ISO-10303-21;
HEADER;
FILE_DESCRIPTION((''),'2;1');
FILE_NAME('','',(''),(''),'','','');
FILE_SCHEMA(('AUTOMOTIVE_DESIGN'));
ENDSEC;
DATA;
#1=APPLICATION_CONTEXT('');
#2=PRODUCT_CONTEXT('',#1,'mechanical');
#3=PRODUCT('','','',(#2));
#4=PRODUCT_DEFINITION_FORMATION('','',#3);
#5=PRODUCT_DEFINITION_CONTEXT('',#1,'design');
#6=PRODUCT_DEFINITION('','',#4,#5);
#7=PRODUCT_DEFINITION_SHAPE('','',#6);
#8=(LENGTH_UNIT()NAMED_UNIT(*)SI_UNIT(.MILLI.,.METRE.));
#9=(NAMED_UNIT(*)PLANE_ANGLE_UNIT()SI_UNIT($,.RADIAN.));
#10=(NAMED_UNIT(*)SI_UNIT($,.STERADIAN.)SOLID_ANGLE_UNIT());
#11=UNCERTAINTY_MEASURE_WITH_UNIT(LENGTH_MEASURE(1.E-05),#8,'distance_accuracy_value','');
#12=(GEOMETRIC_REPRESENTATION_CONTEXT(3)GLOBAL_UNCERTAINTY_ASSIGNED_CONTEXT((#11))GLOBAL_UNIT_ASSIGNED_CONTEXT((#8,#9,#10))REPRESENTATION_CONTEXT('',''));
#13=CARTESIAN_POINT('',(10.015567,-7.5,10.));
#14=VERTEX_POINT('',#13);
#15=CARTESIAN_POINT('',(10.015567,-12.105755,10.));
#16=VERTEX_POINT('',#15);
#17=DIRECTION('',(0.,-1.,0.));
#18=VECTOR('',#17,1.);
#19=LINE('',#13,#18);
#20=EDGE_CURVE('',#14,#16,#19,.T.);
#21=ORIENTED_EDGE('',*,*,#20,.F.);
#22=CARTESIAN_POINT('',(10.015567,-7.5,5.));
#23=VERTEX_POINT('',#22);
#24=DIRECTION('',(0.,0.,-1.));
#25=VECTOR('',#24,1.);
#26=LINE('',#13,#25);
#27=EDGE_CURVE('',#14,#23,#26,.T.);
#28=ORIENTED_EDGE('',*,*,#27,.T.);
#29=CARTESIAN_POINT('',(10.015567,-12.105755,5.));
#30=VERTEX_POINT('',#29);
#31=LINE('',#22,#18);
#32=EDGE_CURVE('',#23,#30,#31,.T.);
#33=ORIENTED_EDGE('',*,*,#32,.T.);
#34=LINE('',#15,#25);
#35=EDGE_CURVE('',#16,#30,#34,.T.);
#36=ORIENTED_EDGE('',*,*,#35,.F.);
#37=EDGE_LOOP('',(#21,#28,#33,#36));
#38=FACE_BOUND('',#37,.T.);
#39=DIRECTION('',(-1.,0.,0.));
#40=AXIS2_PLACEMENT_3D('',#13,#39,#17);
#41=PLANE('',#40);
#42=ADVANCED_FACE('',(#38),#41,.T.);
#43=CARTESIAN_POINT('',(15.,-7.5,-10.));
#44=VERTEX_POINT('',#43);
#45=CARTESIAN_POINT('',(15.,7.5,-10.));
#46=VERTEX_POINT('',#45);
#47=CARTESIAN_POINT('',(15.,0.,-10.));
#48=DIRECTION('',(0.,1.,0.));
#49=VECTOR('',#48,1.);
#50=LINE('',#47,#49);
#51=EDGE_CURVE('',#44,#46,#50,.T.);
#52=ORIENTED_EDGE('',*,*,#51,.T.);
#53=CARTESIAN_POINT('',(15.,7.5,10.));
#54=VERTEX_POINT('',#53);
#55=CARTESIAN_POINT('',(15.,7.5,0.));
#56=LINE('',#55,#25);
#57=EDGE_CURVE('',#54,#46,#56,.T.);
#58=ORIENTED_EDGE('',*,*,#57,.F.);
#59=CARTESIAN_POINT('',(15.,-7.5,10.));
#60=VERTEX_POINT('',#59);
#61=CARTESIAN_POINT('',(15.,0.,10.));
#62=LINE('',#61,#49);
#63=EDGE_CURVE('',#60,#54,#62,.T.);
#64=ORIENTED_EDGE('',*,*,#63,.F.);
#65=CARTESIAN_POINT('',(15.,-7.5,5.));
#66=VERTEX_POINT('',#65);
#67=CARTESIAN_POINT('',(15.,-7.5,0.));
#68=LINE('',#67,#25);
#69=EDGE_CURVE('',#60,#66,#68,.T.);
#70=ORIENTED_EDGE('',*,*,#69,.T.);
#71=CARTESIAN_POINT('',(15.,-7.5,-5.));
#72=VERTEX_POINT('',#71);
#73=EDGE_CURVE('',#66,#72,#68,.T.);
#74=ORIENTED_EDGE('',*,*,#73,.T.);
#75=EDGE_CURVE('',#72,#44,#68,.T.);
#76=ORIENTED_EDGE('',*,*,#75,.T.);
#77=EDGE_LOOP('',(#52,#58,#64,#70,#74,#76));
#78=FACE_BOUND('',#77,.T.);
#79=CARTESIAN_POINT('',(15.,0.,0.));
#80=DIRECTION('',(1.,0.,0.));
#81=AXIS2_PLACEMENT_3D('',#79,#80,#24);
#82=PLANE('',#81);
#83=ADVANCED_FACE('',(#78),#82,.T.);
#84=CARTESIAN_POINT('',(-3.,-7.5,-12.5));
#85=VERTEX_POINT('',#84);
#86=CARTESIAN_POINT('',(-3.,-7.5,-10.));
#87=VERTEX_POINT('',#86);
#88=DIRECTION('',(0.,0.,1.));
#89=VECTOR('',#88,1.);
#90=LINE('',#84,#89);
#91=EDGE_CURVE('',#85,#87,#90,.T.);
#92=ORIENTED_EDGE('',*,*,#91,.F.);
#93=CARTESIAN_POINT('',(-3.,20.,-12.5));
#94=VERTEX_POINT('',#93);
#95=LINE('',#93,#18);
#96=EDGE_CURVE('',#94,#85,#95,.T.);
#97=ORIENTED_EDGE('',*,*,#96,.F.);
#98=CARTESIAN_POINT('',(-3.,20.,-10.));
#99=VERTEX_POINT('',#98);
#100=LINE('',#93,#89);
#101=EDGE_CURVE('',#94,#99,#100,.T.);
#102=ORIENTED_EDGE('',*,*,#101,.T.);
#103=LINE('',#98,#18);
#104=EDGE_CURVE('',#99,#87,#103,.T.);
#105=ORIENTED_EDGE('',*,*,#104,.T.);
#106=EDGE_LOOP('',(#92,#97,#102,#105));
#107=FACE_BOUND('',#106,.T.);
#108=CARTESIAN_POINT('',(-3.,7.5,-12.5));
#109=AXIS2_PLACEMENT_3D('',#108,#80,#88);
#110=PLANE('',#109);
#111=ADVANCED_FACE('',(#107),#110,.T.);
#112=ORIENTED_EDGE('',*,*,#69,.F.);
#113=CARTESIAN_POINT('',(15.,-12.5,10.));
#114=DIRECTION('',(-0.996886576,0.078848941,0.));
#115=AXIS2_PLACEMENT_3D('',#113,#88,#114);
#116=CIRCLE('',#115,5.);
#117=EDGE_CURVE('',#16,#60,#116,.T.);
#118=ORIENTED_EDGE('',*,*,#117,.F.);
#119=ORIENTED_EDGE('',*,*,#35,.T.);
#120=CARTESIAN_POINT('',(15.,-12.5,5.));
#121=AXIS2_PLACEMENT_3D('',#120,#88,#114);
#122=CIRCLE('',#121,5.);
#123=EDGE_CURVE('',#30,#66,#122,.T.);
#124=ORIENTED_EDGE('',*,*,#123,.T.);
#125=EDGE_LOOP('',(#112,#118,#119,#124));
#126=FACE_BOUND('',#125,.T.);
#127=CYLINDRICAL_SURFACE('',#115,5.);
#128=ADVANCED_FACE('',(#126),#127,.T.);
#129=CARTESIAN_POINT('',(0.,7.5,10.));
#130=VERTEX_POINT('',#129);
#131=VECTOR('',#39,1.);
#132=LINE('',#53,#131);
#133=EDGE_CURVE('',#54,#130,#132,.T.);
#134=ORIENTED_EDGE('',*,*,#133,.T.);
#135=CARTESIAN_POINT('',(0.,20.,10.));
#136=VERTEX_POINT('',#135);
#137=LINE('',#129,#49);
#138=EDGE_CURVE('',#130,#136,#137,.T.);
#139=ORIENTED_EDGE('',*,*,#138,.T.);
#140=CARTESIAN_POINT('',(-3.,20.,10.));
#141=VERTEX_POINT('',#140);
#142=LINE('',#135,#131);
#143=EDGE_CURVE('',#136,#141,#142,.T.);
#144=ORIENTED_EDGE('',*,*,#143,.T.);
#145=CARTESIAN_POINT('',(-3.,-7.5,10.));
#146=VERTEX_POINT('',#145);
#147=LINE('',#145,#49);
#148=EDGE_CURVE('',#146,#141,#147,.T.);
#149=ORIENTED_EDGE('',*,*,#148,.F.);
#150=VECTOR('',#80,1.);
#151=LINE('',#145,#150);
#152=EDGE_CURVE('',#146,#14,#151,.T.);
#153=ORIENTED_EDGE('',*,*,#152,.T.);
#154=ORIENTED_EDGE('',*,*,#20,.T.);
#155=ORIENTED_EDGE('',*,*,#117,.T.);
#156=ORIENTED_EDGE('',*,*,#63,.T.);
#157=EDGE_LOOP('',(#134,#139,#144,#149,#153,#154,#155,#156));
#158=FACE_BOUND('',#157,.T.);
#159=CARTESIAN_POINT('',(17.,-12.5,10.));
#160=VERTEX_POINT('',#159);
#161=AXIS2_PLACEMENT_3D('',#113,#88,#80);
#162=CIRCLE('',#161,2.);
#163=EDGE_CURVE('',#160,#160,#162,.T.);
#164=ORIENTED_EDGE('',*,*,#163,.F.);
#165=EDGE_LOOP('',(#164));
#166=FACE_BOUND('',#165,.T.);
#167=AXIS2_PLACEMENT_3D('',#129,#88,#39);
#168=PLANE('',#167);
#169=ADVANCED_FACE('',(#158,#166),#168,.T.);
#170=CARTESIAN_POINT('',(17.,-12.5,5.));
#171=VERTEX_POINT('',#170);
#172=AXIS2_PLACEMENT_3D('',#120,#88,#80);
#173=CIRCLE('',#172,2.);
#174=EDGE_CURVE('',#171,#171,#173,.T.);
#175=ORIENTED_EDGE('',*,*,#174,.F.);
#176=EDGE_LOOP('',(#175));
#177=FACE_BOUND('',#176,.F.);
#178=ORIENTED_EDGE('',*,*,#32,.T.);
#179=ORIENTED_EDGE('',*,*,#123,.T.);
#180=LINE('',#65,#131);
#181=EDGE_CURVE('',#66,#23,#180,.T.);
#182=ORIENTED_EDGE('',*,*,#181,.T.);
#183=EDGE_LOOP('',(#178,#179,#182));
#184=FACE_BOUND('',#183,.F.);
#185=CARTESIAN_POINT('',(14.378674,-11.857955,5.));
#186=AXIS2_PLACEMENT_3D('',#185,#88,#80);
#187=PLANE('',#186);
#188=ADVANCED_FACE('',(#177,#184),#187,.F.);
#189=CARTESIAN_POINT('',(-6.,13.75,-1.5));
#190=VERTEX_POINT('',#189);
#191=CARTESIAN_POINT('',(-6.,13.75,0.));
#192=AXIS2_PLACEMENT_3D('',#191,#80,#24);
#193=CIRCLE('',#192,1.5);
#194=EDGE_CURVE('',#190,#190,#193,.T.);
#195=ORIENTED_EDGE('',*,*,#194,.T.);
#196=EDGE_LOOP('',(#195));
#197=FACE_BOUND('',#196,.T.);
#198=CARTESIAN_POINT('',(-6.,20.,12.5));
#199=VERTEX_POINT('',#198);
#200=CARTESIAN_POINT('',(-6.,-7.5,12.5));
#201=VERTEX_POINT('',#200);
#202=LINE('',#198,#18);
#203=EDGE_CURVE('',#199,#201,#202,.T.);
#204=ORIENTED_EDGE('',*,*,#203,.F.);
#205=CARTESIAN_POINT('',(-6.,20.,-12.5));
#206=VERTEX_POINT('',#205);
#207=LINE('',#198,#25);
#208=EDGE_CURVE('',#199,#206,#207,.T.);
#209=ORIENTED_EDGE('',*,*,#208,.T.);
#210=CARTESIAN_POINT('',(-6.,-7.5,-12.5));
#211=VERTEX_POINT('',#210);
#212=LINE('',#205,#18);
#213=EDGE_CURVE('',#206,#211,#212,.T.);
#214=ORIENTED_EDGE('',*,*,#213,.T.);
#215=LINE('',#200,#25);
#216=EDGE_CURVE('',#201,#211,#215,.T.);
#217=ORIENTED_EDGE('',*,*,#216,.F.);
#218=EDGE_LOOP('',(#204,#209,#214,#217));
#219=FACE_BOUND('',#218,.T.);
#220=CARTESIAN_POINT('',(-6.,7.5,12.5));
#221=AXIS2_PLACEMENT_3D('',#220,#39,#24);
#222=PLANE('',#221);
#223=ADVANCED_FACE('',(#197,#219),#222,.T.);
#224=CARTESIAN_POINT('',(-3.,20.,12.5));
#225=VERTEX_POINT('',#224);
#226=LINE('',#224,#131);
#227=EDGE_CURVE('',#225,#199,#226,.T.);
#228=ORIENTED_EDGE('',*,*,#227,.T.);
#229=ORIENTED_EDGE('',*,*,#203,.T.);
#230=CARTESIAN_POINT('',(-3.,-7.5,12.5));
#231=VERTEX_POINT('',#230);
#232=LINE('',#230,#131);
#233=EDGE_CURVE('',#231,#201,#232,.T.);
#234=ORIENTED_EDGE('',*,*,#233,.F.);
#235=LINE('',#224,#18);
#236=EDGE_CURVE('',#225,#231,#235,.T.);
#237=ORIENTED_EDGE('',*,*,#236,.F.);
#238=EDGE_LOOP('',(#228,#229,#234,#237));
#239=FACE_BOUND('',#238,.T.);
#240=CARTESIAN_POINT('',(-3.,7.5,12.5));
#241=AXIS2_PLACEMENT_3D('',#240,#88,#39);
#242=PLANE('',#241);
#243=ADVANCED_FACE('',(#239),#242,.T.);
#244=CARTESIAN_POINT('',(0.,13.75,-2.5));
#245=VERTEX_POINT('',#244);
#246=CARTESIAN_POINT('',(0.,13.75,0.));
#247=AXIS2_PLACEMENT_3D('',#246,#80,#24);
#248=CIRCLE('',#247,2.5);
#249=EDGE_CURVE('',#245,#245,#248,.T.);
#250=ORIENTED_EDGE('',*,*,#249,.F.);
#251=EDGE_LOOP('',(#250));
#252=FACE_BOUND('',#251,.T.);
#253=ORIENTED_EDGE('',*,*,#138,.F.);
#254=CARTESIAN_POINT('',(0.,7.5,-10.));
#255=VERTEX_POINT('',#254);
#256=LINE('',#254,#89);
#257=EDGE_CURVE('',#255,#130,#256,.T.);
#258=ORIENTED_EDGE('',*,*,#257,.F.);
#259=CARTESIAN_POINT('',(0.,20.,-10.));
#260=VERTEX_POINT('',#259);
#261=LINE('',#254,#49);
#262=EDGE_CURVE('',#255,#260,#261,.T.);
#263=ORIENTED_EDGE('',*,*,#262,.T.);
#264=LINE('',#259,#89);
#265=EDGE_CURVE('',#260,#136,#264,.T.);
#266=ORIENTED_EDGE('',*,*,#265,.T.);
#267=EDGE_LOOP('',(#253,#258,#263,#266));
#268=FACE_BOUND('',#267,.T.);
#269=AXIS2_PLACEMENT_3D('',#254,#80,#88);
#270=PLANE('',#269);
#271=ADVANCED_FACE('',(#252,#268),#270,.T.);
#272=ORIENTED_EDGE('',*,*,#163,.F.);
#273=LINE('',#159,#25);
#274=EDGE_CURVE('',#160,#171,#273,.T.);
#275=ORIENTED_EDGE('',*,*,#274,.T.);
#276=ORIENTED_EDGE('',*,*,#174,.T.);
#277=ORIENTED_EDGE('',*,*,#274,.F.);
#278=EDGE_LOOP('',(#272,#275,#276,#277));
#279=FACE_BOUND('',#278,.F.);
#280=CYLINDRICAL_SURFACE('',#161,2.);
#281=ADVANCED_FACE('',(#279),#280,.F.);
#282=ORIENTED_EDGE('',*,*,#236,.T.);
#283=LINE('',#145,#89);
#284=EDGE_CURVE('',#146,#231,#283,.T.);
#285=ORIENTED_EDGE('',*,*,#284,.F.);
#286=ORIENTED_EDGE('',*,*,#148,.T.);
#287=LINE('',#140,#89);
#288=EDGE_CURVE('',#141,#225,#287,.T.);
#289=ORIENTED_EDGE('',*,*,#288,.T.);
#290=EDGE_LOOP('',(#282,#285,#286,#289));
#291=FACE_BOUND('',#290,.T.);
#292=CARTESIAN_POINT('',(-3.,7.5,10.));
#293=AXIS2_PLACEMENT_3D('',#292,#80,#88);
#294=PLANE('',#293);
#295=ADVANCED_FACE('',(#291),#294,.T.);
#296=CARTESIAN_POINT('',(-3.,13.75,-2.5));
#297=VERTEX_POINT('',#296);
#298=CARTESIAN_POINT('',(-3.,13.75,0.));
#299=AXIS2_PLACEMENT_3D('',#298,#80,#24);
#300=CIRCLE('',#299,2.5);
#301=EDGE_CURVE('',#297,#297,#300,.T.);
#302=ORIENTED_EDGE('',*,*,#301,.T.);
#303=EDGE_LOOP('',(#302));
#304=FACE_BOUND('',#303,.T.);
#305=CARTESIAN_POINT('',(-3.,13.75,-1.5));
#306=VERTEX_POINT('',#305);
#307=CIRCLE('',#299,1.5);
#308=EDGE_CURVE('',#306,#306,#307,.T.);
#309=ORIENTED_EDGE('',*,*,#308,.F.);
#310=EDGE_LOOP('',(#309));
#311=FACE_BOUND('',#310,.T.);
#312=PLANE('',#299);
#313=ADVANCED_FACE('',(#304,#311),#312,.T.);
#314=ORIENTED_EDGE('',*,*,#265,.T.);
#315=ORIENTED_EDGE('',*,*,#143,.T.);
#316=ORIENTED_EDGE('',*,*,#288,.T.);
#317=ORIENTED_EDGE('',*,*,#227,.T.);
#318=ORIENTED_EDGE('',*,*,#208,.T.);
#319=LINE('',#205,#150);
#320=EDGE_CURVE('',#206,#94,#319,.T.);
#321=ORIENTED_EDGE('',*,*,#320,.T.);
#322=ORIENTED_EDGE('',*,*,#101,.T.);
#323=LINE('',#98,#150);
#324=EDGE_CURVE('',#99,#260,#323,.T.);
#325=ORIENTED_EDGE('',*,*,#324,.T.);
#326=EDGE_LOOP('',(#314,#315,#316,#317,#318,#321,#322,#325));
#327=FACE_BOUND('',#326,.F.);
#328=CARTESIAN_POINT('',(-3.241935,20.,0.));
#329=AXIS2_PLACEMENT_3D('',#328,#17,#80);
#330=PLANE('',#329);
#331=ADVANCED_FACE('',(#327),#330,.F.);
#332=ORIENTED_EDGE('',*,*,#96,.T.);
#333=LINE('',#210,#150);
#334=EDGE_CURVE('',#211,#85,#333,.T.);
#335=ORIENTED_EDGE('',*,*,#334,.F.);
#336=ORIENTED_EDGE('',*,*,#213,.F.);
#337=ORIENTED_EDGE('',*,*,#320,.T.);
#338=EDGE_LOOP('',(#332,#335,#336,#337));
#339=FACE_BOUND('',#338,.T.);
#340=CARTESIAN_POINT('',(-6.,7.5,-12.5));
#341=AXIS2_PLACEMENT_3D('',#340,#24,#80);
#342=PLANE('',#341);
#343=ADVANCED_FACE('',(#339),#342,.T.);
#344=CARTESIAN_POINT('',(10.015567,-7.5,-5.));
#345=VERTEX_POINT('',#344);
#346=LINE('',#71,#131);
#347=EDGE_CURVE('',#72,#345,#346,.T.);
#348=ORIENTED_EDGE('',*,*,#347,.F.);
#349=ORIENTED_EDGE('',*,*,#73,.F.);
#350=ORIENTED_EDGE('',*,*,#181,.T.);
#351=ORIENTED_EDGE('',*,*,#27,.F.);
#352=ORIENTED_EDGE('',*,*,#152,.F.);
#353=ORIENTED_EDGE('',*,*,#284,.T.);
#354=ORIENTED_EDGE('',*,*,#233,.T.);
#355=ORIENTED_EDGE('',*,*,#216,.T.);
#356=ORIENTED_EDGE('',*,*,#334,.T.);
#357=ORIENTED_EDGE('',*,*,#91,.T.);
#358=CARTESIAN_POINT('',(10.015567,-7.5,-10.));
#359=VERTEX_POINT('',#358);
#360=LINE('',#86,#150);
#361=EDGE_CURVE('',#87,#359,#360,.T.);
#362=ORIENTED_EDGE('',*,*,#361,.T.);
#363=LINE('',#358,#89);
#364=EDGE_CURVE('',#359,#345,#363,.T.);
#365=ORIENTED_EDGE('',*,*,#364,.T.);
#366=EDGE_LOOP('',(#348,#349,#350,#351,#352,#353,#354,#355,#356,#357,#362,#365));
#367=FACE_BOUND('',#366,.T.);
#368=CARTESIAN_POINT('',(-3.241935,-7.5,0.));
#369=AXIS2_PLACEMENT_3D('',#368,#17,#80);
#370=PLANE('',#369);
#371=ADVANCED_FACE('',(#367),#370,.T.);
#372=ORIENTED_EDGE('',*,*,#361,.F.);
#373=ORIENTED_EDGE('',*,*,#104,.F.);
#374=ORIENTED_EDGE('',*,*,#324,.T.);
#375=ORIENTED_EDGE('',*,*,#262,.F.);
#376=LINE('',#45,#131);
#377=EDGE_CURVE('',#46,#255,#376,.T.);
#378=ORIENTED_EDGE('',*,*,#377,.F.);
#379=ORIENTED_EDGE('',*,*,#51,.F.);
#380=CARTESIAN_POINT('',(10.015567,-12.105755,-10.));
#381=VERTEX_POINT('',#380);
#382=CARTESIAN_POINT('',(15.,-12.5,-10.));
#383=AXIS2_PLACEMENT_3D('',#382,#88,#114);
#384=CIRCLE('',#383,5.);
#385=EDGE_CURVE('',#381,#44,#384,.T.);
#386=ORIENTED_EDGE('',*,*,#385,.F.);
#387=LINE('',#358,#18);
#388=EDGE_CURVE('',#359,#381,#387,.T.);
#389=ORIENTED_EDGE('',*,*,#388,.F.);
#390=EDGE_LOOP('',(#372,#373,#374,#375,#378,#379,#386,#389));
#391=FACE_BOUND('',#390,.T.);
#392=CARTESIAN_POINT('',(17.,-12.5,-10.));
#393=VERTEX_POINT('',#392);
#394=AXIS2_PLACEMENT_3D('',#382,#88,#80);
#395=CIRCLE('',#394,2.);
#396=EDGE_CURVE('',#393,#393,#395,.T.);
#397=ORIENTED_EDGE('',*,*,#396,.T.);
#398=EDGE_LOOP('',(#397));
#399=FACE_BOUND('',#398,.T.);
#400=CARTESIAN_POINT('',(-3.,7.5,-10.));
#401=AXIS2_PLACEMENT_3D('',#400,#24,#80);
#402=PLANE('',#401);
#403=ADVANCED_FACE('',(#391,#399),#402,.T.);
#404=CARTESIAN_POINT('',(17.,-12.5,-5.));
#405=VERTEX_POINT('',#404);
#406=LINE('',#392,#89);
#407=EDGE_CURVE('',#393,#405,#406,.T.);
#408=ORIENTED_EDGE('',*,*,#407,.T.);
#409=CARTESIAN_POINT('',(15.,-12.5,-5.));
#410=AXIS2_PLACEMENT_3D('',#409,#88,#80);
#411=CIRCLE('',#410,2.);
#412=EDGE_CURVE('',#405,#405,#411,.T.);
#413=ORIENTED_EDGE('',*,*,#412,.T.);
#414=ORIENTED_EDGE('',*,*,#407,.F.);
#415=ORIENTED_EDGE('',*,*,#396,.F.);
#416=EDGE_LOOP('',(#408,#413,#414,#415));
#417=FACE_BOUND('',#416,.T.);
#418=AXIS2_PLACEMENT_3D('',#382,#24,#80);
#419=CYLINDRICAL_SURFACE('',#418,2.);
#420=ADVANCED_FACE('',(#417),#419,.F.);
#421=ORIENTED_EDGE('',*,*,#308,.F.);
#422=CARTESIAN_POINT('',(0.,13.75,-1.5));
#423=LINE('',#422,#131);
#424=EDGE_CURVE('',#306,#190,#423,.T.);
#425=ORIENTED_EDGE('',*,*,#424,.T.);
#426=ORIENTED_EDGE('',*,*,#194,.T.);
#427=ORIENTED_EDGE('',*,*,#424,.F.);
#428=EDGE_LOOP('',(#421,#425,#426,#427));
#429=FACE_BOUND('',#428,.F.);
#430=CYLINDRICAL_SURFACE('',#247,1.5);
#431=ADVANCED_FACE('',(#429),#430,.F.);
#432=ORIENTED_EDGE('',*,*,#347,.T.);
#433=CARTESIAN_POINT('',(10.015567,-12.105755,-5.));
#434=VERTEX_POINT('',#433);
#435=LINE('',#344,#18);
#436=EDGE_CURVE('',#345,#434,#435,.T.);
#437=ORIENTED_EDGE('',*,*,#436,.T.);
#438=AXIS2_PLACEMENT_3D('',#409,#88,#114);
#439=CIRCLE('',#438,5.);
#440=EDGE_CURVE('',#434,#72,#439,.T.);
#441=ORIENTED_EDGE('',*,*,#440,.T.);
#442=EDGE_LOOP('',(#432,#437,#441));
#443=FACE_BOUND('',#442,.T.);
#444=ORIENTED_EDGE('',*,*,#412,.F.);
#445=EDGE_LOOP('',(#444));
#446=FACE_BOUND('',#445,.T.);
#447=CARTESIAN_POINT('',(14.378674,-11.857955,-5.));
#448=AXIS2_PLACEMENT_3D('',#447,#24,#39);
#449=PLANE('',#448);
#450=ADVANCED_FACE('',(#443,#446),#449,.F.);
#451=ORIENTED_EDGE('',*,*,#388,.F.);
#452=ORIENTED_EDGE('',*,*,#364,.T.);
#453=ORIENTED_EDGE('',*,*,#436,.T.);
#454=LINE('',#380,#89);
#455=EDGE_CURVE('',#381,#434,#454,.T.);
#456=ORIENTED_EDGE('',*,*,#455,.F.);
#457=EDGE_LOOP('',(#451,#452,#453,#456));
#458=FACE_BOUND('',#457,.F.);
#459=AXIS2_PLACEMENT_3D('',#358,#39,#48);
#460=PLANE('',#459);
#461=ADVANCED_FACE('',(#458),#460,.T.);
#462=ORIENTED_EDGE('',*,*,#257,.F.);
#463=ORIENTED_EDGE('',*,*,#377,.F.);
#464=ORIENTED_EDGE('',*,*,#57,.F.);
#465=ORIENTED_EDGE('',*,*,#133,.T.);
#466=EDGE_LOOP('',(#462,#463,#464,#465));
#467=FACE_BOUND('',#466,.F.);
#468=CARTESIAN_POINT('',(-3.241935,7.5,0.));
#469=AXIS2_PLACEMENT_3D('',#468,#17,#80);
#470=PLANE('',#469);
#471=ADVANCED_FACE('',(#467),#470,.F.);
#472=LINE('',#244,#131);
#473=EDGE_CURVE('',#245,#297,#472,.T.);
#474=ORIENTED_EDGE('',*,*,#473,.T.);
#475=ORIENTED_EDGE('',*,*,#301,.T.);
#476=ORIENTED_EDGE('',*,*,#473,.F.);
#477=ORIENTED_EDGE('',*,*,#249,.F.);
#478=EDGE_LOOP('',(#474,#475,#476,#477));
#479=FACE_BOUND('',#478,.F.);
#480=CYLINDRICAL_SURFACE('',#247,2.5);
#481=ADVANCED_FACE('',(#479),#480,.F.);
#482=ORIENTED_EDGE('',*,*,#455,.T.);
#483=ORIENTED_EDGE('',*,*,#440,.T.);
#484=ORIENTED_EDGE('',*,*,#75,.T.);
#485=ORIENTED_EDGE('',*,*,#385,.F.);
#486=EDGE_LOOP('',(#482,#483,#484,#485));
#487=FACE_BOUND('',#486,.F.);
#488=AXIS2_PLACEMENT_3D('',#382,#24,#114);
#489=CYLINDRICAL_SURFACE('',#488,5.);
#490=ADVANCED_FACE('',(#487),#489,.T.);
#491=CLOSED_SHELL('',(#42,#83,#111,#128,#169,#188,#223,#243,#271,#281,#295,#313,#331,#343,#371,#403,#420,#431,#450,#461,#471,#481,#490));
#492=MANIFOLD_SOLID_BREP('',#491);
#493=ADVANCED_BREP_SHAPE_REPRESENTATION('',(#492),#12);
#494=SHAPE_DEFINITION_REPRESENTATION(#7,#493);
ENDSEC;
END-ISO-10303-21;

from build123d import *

# Parameters (mm, degrees)
SKETCH1_W                = 20
SKETCH1_H                = 15
BOSS_EXTRUDE1_DEPTH      = 15
SKETCH2_R                = 2
BOSS_EXTRUDE2_DEPTH      = 5
BOSS_EXTRUDE3_DEPTH      = 15
BOSS_EXTRUDE3_DEPTH_BACK = 12.5
SKETCH4_R                = 1.5
CUT_EXTRUDE1_DEPTH       = 6
SKETCH4_3_R              = 2.5
SKETCH4_3_R_2            = 1.5
CUT_EXTRUDE2_DEPTH       = 3


with BuildPart() as part:
    # Sketch1 → Boss-Extrude1 (new body)
    with BuildSketch(Plane(origin=(0, 0, 0), x_dir=(0, 0, -1), z_dir=(1, 0, 0))):
        Rectangle(SKETCH1_W, SKETCH1_H)
    extrude(amount=BOSS_EXTRUDE1_DEPTH)

    # Sketch2 → Boss-Extrude2 (add)
    with BuildSketch(Plane.XY.offset(10)):
        with BuildLine():
            Line((15, -7.5), (10.015567122, -7.5))
            Line((10.015567122, -7.5), (10.015567122, -12.105755295))
            ThreePointArc((10.015567122, -12.105755295), (18.393285758, -16.172276101), (15, -7.5))
        make_face()
        with Locations((15, -12.5)):
            Circle(SKETCH2_R, mode=Mode.SUBTRACT)
    boss_extrude2 = extrude(amount=-BOSS_EXTRUDE2_DEPTH)

    # Mirror1: Boss-Extrude2 across plane
    add(boss_extrude2.mirror(Plane.XY))

    # Sketch3 → Boss-Extrude3 (add, two sides)
    with BuildSketch(Plane.XZ.offset(-7.5)) as boss_extrude3_sk:
        Polygon((-3, 10), (-3, 12.5), (-6, 12.5), (-6, -12.5), (-3, -12.5), (-3, -10), (0, -10), (0, 10), align=None)
    extrude(amount=BOSS_EXTRUDE3_DEPTH)
    extrude(boss_extrude3_sk.sketch, amount=-BOSS_EXTRUDE3_DEPTH_BACK)

    # Sketch4 → Cut-Extrude1 (cut)
    with BuildSketch(Plane(origin=(0, 0, 0), x_dir=(0, 0, -1), z_dir=(1, 0, 0))):
        with Locations((0, 13.75)):
            Circle(SKETCH4_R)
    extrude(amount=-CUT_EXTRUDE1_DEPTH, mode=Mode.SUBTRACT)

    # Sketch4<3> → Cut-Extrude2 (cut)
    with BuildSketch(Plane(origin=(0, 0, 0), x_dir=(0, 0, -1), z_dir=(1, 0, 0))):
        with Locations((0, 13.75)):
            Circle(SKETCH4_3_R)
        with Locations((0, 13.75)):
            Circle(SKETCH4_3_R_2, mode=Mode.SUBTRACT)
    extrude(amount=-CUT_EXTRUDE2_DEPTH, mode=Mode.SUBTRACT)


solid = part.part
